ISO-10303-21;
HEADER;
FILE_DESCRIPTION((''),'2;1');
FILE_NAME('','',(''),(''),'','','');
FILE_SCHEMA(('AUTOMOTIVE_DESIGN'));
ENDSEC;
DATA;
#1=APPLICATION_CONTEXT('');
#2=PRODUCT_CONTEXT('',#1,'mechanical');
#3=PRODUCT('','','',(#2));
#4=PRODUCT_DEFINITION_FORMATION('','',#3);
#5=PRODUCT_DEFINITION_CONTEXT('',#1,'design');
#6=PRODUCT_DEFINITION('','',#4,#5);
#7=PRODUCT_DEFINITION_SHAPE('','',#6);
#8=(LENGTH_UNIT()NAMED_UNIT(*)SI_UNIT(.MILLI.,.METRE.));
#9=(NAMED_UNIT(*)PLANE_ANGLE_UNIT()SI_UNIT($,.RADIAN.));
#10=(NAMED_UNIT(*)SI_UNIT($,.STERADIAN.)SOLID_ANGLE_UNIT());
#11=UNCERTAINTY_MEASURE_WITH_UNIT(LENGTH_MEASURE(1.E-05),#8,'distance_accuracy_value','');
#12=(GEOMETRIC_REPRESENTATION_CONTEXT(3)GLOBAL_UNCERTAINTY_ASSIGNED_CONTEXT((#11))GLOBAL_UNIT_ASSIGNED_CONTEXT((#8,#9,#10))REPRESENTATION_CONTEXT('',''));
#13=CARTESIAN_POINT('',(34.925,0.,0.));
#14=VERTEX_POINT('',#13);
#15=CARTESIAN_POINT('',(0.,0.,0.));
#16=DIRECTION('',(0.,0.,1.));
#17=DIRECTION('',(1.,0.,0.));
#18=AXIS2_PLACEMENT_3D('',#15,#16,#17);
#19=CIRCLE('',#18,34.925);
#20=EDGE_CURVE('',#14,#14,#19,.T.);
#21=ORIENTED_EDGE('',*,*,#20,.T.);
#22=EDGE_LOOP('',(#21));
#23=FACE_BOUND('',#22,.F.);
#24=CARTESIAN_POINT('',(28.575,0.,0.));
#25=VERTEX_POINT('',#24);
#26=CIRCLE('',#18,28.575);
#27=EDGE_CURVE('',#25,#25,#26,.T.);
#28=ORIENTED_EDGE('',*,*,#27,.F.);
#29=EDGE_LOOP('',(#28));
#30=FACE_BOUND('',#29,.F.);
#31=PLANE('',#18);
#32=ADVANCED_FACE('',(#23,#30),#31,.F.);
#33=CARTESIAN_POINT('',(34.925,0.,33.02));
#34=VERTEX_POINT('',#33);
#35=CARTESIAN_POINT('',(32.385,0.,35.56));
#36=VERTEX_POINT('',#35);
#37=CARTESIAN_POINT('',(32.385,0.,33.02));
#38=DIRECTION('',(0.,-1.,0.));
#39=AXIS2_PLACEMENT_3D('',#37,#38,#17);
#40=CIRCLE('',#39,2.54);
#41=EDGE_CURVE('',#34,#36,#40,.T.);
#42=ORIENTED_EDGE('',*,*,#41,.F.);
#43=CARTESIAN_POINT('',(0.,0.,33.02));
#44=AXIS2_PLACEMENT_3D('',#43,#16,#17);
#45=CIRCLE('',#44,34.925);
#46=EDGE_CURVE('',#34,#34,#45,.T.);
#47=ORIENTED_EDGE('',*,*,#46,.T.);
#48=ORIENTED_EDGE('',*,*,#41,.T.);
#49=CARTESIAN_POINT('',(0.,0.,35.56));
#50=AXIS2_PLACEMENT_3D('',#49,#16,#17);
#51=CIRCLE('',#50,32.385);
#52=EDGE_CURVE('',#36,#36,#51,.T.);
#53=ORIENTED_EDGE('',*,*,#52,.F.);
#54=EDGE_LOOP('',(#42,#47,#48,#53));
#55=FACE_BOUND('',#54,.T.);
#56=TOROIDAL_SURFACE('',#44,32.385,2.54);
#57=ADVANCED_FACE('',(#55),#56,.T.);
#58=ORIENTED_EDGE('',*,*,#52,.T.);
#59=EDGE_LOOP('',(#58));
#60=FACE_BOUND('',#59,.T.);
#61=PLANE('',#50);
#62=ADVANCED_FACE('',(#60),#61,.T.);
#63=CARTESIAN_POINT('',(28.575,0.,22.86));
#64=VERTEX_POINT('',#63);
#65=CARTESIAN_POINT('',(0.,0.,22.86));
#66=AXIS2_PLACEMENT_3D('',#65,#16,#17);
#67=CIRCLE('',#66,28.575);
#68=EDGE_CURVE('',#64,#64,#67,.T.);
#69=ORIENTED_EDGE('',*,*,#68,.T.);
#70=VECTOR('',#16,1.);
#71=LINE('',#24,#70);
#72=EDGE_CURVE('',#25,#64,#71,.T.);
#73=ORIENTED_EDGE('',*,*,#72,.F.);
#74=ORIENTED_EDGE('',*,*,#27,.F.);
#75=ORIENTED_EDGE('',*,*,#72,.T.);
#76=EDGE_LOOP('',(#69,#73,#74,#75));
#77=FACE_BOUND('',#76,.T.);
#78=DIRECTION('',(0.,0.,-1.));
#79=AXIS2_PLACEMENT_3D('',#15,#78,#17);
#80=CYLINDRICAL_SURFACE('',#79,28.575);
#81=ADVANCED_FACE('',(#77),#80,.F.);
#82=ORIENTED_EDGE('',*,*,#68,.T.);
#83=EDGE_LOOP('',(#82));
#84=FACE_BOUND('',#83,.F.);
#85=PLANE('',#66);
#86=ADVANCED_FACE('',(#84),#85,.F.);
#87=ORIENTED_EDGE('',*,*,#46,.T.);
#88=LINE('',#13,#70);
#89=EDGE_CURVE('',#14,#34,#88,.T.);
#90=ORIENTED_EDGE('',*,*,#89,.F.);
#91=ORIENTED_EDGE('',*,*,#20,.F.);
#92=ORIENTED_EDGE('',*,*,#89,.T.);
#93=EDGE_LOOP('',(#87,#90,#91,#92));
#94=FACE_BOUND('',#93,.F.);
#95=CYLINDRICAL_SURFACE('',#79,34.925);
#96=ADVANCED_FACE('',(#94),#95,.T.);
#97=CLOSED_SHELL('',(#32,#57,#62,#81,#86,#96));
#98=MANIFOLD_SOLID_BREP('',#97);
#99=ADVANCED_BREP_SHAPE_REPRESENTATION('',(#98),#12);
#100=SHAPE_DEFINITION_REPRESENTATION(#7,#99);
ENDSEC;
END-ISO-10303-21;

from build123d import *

# Parameters (mm, degrees)
F1_R     = 34.925
F2_DEPTH = 35.56
F3_R     = 2.54
F4_R     = 28.575
F5_DEPTH = 22.86


with BuildPart() as f2:
    # F1 (on face) → F2 (new body)
    with BuildSketch(Plane.XY):
        Circle(F1_R)
    extrude(amount=F2_DEPTH)

    # F3
    f3_edges = [f2.edges().sort_by_distance(p)[0] for p in [
        (-34.925, 0, 35.56),
    ]]
    fillet(f3_edges, radius=F3_R)

    # F4 (on Top) → F5 (cut)
    with BuildSketch(Plane.XY):
        Circle(F4_R)
    extrude(amount=F5_DEPTH, mode=Mode.SUBTRACT)


solid = f2.part
